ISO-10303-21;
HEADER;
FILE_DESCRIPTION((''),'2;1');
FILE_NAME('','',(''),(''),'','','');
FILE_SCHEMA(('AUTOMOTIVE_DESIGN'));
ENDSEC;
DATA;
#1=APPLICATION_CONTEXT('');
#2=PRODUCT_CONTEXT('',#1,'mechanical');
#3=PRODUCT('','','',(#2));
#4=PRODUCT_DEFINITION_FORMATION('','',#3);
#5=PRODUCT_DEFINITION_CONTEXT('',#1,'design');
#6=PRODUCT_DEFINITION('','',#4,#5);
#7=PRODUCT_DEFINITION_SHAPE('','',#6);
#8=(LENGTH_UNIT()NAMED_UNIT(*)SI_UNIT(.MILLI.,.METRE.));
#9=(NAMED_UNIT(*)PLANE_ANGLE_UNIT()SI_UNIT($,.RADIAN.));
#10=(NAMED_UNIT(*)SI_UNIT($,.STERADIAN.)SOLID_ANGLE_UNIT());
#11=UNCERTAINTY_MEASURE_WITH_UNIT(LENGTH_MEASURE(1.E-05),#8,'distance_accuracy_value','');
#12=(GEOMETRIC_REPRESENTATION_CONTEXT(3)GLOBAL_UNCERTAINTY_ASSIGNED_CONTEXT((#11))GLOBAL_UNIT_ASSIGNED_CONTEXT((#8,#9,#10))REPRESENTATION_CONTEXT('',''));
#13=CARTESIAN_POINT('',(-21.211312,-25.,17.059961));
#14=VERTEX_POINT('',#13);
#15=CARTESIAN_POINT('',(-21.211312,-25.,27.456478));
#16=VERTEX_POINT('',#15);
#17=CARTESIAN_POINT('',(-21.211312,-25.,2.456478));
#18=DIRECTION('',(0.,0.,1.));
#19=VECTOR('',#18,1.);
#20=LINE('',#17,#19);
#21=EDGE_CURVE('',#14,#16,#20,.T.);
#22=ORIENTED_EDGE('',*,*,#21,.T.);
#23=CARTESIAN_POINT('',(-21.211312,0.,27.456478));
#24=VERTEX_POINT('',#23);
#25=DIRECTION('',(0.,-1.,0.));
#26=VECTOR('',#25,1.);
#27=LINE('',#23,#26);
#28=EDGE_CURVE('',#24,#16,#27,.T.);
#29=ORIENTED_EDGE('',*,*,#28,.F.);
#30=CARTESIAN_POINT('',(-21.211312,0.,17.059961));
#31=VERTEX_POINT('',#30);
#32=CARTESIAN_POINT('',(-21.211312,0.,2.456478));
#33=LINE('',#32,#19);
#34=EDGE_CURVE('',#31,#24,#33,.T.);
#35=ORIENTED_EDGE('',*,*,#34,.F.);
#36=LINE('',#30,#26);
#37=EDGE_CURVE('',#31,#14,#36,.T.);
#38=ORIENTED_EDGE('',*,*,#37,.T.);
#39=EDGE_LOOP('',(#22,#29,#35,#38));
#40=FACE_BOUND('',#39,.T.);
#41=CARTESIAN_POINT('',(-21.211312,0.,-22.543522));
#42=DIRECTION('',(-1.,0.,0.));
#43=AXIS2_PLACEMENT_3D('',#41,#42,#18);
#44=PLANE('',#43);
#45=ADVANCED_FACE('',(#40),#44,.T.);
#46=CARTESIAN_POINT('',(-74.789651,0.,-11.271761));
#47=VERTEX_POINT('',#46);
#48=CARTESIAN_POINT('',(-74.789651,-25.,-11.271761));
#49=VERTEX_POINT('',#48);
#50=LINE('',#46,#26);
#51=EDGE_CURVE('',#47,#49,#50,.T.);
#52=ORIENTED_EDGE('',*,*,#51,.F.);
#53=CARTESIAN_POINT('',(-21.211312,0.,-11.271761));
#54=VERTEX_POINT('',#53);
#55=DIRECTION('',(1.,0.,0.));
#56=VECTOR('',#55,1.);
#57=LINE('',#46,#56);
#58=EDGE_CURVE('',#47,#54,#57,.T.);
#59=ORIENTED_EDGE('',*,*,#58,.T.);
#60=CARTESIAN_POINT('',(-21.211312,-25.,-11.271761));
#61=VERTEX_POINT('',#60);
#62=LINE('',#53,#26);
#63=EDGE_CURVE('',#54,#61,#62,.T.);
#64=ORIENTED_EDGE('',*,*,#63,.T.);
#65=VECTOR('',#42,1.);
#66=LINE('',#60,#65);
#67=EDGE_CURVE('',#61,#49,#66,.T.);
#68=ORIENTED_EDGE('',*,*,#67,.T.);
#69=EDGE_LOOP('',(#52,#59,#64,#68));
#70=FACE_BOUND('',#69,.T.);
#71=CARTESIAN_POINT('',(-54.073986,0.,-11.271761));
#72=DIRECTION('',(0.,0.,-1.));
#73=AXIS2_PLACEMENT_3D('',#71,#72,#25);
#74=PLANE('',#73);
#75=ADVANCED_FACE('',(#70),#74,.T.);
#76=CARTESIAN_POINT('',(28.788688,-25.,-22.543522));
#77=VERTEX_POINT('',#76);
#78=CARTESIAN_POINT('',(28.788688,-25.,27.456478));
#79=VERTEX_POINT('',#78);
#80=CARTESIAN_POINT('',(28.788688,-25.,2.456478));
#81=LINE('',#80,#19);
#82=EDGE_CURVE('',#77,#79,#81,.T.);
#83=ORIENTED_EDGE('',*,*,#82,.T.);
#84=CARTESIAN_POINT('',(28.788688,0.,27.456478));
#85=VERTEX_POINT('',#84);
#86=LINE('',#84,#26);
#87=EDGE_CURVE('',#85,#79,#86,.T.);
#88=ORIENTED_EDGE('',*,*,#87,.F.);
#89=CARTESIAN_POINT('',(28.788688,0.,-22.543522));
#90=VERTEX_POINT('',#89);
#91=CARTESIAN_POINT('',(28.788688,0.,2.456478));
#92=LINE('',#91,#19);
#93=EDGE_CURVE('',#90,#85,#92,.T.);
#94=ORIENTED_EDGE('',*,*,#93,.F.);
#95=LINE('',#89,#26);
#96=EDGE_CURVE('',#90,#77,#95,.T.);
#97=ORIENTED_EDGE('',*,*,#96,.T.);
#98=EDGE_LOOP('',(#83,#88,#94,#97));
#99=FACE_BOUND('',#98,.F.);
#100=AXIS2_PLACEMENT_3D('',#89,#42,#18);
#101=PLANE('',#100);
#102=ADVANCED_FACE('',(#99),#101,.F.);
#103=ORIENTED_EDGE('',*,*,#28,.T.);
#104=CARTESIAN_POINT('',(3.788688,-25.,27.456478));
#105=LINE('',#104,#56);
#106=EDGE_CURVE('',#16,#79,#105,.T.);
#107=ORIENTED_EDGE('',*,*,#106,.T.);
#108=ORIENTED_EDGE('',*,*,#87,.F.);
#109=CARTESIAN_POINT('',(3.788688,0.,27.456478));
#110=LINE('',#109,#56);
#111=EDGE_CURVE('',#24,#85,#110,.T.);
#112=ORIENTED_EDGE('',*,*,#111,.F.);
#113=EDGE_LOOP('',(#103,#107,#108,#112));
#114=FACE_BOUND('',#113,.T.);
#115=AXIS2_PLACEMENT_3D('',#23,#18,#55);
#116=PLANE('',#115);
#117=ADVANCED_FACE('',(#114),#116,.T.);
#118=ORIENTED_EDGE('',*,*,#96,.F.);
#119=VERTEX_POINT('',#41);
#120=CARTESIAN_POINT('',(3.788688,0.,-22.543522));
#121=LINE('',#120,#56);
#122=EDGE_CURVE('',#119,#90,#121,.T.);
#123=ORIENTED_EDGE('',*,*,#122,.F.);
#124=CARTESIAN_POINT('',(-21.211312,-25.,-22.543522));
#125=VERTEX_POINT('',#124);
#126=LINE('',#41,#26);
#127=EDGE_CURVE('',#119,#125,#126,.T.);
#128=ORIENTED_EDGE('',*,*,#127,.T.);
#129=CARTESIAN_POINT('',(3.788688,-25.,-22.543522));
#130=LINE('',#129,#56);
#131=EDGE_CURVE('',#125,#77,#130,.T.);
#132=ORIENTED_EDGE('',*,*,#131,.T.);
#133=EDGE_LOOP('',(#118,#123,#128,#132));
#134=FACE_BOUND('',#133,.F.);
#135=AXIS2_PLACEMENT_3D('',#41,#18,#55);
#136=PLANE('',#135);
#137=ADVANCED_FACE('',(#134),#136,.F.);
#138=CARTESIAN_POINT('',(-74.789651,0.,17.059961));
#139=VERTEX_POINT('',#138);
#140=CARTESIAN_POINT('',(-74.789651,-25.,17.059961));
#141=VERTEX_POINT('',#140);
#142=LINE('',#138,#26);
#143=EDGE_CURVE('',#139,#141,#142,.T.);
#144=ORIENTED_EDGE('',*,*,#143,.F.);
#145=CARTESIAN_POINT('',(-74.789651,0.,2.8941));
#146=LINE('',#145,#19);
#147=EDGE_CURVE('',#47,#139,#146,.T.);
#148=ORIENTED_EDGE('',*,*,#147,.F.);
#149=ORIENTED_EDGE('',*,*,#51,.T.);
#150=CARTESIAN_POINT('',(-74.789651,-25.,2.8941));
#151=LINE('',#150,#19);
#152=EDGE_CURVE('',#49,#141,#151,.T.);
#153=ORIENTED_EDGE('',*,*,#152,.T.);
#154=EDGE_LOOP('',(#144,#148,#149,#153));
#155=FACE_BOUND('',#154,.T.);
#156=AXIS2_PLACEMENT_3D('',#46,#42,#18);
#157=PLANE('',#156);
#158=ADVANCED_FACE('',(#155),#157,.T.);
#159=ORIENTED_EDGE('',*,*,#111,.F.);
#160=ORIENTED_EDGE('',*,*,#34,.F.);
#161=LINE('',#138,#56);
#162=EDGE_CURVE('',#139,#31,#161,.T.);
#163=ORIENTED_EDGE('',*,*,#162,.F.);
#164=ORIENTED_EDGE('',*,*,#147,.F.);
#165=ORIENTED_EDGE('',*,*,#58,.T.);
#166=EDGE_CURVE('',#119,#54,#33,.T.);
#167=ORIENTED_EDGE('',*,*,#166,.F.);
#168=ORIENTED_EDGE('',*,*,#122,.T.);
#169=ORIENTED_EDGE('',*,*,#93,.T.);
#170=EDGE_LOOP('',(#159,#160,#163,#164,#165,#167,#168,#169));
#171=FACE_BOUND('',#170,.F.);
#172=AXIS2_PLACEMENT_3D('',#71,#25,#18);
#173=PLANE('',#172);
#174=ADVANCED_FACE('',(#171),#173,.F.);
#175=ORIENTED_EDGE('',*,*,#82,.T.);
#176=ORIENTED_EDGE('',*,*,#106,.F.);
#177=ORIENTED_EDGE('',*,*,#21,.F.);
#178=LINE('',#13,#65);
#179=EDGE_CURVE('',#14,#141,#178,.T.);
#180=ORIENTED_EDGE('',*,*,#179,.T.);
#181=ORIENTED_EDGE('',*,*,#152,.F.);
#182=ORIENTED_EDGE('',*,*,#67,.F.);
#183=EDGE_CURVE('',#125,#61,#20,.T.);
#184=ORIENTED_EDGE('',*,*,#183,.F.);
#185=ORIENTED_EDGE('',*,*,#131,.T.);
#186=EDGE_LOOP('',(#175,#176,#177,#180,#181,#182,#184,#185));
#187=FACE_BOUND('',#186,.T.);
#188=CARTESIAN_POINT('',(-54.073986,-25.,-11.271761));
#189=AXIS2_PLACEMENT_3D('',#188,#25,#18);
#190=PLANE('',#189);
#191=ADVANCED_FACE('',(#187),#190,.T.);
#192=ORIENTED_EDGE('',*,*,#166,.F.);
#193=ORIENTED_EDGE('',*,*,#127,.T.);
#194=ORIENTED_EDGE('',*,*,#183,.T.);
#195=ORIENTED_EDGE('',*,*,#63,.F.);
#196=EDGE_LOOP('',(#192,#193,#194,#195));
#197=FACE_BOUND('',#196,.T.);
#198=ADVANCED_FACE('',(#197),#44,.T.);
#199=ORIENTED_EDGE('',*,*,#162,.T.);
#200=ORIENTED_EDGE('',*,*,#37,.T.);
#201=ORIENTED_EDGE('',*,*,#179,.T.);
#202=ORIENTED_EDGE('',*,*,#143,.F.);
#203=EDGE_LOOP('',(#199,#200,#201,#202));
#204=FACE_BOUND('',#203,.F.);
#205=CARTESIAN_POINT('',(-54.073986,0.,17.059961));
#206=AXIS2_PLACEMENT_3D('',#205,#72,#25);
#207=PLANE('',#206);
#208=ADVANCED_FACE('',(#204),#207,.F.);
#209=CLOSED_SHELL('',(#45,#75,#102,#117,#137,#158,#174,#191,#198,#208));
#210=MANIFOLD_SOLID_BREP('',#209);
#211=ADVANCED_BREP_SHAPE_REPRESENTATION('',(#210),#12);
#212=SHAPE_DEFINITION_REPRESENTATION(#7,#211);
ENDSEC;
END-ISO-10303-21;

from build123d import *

# Parameters (mm, degrees)
F0_W     = 50
F0_H     = 50
F1_DEPTH = 25
F0_W_2   = 20.7156650722
F0_H_2   = 28.3317221329
F2_DEPTH = 32.8626733273


with BuildPart() as f1:
    # F0 (on Front) → F1 (new body)
    with BuildSketch(Plane.XZ):
        with Locations((3.7886876613, 2.456478402)):
            Rectangle(F0_W, F0_H)
    extrude(amount=F1_DEPTH)



with BuildPart() as f1b:
    # F0 (on Front) → F1, piece 2 (new body)
    with BuildSketch(Plane.XZ):
        with Locations((-64.4318182021, 2.8941002674)):
            Rectangle(F0_W_2, F0_H_2)
    extrude(amount=F1_DEPTH)


with BuildPart() as f1_1:
    add(f1.part)
    # F2 (add, through all): a face of the model
    f2_faces = [f1b.part.faces().sort_by_distance(p)[0] for p in [
        (-54.073985666, -12.5, 2.8941002674),
    ]]

    add(f1b.part)  # F2 merges F1b
    extrude(f2_faces, amount=F2_DEPTH)


solid = f1_1.part
